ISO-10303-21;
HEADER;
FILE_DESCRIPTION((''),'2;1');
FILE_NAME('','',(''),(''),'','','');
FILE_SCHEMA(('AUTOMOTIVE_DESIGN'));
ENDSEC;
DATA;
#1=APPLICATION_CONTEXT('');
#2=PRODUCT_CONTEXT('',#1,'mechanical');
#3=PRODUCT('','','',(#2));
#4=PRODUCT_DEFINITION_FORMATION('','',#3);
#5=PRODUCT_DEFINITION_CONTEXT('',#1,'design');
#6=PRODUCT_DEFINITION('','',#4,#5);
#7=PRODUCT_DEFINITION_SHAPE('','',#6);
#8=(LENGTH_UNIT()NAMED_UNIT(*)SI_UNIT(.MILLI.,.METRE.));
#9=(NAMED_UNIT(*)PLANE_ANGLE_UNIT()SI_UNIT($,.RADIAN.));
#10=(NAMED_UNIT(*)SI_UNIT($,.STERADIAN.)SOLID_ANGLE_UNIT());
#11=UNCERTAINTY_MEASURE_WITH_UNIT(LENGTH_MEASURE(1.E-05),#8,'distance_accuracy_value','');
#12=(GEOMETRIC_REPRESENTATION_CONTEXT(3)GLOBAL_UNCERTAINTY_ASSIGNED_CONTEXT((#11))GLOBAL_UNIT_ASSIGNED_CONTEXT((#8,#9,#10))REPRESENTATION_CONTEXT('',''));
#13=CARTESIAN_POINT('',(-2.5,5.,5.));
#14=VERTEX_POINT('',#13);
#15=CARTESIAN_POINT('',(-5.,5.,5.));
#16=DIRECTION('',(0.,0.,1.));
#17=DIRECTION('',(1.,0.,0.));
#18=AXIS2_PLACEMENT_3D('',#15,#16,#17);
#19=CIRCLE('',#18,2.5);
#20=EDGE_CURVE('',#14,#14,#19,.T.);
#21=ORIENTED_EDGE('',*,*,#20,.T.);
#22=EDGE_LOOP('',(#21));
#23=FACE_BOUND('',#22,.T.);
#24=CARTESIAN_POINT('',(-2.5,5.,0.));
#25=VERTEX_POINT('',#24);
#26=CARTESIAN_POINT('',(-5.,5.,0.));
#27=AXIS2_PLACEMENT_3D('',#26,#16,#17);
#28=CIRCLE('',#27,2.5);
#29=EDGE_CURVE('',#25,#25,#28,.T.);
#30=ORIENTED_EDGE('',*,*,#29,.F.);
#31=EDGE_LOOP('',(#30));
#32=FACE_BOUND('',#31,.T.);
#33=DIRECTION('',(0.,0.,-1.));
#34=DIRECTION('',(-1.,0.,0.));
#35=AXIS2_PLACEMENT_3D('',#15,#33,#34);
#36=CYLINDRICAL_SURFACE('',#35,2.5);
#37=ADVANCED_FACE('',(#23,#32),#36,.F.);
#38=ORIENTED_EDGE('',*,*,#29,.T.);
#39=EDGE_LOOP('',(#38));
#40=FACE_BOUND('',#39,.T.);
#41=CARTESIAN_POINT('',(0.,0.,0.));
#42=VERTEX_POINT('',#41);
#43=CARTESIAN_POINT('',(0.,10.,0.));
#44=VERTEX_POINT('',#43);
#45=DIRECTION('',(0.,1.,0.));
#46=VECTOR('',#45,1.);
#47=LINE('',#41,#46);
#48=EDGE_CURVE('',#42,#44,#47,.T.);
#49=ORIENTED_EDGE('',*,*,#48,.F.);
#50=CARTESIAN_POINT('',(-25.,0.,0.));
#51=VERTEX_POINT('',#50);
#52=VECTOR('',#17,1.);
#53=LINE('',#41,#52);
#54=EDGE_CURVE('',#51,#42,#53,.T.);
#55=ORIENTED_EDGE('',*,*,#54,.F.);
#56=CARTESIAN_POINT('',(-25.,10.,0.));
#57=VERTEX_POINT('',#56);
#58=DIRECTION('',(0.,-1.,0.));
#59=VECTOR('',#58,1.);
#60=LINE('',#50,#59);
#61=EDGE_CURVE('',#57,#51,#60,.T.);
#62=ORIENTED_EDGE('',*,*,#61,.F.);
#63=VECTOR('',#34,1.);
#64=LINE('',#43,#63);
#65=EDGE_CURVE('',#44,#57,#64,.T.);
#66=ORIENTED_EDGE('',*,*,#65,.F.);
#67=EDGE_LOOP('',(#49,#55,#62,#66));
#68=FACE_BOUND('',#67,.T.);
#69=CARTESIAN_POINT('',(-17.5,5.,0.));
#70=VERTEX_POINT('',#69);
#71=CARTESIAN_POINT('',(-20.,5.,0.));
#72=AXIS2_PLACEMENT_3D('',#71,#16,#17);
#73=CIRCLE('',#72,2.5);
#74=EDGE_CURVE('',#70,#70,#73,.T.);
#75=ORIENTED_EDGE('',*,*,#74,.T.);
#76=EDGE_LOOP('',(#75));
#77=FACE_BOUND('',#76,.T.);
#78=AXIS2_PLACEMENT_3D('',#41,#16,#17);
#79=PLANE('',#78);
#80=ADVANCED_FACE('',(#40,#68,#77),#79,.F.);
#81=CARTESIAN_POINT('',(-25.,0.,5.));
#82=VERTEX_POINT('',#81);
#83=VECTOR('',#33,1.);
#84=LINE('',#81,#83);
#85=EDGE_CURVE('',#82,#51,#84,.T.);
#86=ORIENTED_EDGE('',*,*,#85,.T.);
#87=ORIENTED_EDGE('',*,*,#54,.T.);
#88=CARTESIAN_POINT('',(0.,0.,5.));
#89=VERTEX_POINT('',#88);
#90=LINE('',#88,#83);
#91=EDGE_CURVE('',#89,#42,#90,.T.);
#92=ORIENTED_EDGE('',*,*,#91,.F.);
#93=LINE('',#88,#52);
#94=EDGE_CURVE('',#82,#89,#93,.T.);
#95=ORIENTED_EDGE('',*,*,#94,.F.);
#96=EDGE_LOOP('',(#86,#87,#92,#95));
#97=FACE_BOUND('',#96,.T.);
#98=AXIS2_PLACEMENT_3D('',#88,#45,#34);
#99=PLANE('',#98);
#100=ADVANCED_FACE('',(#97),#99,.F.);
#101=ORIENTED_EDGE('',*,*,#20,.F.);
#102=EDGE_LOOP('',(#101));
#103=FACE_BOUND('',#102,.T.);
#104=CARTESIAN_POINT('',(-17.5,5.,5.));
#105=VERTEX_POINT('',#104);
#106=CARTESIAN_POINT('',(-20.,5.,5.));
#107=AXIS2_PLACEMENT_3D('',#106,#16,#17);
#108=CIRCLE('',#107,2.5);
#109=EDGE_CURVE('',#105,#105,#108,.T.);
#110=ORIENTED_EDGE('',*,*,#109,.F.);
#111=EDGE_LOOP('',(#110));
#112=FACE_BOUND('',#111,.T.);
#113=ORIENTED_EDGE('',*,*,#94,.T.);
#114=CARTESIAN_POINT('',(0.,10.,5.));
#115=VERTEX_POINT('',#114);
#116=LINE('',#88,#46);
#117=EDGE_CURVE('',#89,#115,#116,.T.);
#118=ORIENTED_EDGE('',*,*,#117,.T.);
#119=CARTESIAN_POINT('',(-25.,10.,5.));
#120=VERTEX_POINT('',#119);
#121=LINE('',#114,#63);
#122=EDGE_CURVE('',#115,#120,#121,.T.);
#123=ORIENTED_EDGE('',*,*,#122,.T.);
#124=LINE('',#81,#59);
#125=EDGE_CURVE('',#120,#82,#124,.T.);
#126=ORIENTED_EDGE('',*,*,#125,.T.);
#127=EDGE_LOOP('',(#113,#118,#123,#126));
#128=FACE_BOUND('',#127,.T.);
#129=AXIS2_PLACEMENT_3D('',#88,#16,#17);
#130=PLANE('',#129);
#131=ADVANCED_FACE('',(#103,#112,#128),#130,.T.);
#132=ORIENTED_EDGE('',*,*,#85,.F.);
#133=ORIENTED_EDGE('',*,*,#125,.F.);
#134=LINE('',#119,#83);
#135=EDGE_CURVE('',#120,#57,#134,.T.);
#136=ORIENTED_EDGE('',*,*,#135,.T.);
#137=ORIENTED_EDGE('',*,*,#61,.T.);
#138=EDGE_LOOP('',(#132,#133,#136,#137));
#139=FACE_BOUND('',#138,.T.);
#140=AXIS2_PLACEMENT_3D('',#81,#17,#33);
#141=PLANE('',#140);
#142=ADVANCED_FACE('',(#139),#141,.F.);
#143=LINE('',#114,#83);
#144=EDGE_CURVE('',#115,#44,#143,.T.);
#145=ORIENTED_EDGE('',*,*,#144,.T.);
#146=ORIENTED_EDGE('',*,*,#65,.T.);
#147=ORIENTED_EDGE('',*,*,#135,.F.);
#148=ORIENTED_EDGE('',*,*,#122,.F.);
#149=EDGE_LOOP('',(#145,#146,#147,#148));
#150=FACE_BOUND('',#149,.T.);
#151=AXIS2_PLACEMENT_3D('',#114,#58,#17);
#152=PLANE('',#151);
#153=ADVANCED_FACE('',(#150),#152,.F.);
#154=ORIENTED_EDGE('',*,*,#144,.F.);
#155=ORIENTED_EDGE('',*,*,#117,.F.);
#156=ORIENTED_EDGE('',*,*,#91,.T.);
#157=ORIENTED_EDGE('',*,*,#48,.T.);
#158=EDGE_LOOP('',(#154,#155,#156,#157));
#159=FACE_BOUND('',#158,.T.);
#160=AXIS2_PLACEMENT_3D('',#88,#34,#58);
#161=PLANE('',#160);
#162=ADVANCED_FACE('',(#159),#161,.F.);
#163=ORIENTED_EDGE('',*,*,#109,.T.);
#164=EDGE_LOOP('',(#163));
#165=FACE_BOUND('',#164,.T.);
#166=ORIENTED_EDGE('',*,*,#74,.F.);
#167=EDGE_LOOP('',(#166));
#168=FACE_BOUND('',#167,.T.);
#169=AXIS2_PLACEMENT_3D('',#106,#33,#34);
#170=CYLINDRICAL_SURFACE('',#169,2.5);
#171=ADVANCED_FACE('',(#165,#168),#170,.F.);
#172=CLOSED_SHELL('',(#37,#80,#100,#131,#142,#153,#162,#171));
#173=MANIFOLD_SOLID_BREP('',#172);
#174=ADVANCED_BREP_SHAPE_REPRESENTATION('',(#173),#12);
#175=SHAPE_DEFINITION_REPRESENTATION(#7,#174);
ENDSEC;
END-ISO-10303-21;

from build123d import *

# Parameters (mm, degrees)
SKETCH1_W           = 25
SKETCH1_H           = 10
SKETCH1_R           = 2.5
BOSS_EXTRUDE1_DEPTH = 5


with BuildPart() as part:
    # Sketch1 → Boss-Extrude1 (new body)
    with BuildSketch(Plane.XY):
        with Locations((-12.5, 5)):
            Rectangle(SKETCH1_W, SKETCH1_H)
        with Locations((-20, 5)):
            Circle(SKETCH1_R, mode=Mode.SUBTRACT)
        with Locations((-5, 5)):
            Circle(SKETCH1_R, mode=Mode.SUBTRACT)
    extrude(amount=BOSS_EXTRUDE1_DEPTH)


solid = part.part
